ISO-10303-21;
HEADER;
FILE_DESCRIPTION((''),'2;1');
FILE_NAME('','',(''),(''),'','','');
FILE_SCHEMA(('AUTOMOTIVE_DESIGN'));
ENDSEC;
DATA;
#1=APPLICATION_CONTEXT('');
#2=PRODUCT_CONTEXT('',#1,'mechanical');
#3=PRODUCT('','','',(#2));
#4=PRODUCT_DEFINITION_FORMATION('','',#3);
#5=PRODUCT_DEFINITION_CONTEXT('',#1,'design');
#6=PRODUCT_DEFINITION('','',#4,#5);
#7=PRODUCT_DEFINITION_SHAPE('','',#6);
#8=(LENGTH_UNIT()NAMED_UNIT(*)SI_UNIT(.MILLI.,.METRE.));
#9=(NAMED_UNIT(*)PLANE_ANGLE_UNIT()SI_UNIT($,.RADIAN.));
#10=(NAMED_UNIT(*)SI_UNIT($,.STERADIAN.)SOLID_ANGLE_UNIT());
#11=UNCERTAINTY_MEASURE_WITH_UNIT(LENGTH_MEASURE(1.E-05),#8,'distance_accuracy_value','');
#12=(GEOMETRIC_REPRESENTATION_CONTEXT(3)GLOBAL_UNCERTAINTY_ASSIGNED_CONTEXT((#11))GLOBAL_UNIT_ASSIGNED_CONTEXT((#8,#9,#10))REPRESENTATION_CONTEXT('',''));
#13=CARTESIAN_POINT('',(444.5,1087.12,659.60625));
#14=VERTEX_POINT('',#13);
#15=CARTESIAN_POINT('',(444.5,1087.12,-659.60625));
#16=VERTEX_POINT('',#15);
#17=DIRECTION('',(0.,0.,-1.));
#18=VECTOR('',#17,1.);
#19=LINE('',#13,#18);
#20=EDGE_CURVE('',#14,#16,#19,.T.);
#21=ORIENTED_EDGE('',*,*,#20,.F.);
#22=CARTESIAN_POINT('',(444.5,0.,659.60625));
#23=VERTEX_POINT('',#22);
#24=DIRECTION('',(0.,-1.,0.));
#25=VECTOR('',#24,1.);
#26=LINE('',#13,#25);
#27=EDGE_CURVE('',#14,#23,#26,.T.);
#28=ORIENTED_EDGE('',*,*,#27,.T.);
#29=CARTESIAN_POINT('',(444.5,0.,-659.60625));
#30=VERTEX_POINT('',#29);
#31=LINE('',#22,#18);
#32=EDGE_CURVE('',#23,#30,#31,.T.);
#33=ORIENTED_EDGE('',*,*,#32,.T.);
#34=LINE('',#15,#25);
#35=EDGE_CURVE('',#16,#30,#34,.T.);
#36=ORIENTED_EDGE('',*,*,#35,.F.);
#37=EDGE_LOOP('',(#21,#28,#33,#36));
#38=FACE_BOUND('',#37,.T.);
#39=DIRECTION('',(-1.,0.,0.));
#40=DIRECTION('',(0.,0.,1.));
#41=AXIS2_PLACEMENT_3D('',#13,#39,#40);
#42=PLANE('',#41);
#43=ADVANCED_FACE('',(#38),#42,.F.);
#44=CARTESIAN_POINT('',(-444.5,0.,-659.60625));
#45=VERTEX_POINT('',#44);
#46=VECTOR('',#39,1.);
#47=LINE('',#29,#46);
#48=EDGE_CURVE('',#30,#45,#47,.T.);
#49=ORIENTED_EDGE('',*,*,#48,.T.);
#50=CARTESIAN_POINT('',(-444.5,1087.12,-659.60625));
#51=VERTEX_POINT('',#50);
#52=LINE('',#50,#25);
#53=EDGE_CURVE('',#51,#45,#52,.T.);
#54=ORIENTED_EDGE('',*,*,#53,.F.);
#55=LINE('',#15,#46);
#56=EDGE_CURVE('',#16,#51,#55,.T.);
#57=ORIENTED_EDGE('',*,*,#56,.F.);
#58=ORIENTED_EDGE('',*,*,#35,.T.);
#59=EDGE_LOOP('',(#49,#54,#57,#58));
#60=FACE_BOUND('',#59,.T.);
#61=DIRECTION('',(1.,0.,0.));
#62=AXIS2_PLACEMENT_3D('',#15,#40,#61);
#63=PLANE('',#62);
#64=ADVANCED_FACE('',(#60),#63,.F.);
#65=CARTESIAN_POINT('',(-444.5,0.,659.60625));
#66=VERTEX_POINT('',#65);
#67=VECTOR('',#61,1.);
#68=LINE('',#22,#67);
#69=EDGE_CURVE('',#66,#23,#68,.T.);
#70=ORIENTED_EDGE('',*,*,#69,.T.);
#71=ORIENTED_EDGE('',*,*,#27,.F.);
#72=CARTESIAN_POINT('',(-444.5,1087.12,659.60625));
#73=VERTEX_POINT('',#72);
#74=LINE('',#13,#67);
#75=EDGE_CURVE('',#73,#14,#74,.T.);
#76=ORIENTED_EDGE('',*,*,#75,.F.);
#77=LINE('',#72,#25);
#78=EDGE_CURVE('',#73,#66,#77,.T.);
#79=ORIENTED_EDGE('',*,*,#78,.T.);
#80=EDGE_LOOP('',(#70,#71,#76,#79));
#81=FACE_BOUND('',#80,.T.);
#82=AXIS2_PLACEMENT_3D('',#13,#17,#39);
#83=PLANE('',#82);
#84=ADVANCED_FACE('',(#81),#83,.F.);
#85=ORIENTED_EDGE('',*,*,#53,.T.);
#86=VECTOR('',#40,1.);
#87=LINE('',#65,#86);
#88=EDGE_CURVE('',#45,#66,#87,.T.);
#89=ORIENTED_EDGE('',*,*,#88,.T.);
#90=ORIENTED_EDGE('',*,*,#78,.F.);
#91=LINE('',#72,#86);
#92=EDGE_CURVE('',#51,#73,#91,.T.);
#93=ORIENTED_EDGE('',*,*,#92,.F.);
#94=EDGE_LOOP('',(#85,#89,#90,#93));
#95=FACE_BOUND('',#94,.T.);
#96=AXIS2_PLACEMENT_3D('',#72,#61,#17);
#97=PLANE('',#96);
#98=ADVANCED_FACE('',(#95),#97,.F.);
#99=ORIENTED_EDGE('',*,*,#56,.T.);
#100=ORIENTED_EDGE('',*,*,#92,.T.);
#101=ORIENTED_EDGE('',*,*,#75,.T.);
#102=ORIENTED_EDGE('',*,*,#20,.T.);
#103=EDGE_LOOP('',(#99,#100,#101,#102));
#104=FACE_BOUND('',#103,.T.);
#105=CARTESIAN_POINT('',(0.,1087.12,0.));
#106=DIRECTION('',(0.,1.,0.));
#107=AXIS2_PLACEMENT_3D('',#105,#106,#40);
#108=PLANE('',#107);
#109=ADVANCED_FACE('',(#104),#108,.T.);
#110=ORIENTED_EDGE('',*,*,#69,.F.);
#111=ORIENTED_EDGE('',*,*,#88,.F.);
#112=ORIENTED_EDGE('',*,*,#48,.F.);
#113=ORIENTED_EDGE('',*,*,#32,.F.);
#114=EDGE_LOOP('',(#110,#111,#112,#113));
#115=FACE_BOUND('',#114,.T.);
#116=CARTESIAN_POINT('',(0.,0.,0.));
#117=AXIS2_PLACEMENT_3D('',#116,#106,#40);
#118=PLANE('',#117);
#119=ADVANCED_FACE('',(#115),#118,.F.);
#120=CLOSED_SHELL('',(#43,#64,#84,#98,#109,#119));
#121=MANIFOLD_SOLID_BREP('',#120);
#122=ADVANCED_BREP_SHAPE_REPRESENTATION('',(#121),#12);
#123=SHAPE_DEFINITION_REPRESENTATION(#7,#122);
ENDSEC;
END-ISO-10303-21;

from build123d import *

# Parameters (mm, degrees)
SKETCH1_W           = 889
SKETCH1_H           = 1319.2125
BOSS_EXTRUDE1_DEPTH = 1087.12


with BuildPart() as part:
    # Sketch1 → Boss-Extrude1 (new body)
    with BuildSketch(Plane(origin=(0, 0, 0), x_dir=(1, 0, 0), z_dir=(0, 1, 0))):
        Rectangle(SKETCH1_W, SKETCH1_H)
    extrude(amount=BOSS_EXTRUDE1_DEPTH)


solid = part.part
